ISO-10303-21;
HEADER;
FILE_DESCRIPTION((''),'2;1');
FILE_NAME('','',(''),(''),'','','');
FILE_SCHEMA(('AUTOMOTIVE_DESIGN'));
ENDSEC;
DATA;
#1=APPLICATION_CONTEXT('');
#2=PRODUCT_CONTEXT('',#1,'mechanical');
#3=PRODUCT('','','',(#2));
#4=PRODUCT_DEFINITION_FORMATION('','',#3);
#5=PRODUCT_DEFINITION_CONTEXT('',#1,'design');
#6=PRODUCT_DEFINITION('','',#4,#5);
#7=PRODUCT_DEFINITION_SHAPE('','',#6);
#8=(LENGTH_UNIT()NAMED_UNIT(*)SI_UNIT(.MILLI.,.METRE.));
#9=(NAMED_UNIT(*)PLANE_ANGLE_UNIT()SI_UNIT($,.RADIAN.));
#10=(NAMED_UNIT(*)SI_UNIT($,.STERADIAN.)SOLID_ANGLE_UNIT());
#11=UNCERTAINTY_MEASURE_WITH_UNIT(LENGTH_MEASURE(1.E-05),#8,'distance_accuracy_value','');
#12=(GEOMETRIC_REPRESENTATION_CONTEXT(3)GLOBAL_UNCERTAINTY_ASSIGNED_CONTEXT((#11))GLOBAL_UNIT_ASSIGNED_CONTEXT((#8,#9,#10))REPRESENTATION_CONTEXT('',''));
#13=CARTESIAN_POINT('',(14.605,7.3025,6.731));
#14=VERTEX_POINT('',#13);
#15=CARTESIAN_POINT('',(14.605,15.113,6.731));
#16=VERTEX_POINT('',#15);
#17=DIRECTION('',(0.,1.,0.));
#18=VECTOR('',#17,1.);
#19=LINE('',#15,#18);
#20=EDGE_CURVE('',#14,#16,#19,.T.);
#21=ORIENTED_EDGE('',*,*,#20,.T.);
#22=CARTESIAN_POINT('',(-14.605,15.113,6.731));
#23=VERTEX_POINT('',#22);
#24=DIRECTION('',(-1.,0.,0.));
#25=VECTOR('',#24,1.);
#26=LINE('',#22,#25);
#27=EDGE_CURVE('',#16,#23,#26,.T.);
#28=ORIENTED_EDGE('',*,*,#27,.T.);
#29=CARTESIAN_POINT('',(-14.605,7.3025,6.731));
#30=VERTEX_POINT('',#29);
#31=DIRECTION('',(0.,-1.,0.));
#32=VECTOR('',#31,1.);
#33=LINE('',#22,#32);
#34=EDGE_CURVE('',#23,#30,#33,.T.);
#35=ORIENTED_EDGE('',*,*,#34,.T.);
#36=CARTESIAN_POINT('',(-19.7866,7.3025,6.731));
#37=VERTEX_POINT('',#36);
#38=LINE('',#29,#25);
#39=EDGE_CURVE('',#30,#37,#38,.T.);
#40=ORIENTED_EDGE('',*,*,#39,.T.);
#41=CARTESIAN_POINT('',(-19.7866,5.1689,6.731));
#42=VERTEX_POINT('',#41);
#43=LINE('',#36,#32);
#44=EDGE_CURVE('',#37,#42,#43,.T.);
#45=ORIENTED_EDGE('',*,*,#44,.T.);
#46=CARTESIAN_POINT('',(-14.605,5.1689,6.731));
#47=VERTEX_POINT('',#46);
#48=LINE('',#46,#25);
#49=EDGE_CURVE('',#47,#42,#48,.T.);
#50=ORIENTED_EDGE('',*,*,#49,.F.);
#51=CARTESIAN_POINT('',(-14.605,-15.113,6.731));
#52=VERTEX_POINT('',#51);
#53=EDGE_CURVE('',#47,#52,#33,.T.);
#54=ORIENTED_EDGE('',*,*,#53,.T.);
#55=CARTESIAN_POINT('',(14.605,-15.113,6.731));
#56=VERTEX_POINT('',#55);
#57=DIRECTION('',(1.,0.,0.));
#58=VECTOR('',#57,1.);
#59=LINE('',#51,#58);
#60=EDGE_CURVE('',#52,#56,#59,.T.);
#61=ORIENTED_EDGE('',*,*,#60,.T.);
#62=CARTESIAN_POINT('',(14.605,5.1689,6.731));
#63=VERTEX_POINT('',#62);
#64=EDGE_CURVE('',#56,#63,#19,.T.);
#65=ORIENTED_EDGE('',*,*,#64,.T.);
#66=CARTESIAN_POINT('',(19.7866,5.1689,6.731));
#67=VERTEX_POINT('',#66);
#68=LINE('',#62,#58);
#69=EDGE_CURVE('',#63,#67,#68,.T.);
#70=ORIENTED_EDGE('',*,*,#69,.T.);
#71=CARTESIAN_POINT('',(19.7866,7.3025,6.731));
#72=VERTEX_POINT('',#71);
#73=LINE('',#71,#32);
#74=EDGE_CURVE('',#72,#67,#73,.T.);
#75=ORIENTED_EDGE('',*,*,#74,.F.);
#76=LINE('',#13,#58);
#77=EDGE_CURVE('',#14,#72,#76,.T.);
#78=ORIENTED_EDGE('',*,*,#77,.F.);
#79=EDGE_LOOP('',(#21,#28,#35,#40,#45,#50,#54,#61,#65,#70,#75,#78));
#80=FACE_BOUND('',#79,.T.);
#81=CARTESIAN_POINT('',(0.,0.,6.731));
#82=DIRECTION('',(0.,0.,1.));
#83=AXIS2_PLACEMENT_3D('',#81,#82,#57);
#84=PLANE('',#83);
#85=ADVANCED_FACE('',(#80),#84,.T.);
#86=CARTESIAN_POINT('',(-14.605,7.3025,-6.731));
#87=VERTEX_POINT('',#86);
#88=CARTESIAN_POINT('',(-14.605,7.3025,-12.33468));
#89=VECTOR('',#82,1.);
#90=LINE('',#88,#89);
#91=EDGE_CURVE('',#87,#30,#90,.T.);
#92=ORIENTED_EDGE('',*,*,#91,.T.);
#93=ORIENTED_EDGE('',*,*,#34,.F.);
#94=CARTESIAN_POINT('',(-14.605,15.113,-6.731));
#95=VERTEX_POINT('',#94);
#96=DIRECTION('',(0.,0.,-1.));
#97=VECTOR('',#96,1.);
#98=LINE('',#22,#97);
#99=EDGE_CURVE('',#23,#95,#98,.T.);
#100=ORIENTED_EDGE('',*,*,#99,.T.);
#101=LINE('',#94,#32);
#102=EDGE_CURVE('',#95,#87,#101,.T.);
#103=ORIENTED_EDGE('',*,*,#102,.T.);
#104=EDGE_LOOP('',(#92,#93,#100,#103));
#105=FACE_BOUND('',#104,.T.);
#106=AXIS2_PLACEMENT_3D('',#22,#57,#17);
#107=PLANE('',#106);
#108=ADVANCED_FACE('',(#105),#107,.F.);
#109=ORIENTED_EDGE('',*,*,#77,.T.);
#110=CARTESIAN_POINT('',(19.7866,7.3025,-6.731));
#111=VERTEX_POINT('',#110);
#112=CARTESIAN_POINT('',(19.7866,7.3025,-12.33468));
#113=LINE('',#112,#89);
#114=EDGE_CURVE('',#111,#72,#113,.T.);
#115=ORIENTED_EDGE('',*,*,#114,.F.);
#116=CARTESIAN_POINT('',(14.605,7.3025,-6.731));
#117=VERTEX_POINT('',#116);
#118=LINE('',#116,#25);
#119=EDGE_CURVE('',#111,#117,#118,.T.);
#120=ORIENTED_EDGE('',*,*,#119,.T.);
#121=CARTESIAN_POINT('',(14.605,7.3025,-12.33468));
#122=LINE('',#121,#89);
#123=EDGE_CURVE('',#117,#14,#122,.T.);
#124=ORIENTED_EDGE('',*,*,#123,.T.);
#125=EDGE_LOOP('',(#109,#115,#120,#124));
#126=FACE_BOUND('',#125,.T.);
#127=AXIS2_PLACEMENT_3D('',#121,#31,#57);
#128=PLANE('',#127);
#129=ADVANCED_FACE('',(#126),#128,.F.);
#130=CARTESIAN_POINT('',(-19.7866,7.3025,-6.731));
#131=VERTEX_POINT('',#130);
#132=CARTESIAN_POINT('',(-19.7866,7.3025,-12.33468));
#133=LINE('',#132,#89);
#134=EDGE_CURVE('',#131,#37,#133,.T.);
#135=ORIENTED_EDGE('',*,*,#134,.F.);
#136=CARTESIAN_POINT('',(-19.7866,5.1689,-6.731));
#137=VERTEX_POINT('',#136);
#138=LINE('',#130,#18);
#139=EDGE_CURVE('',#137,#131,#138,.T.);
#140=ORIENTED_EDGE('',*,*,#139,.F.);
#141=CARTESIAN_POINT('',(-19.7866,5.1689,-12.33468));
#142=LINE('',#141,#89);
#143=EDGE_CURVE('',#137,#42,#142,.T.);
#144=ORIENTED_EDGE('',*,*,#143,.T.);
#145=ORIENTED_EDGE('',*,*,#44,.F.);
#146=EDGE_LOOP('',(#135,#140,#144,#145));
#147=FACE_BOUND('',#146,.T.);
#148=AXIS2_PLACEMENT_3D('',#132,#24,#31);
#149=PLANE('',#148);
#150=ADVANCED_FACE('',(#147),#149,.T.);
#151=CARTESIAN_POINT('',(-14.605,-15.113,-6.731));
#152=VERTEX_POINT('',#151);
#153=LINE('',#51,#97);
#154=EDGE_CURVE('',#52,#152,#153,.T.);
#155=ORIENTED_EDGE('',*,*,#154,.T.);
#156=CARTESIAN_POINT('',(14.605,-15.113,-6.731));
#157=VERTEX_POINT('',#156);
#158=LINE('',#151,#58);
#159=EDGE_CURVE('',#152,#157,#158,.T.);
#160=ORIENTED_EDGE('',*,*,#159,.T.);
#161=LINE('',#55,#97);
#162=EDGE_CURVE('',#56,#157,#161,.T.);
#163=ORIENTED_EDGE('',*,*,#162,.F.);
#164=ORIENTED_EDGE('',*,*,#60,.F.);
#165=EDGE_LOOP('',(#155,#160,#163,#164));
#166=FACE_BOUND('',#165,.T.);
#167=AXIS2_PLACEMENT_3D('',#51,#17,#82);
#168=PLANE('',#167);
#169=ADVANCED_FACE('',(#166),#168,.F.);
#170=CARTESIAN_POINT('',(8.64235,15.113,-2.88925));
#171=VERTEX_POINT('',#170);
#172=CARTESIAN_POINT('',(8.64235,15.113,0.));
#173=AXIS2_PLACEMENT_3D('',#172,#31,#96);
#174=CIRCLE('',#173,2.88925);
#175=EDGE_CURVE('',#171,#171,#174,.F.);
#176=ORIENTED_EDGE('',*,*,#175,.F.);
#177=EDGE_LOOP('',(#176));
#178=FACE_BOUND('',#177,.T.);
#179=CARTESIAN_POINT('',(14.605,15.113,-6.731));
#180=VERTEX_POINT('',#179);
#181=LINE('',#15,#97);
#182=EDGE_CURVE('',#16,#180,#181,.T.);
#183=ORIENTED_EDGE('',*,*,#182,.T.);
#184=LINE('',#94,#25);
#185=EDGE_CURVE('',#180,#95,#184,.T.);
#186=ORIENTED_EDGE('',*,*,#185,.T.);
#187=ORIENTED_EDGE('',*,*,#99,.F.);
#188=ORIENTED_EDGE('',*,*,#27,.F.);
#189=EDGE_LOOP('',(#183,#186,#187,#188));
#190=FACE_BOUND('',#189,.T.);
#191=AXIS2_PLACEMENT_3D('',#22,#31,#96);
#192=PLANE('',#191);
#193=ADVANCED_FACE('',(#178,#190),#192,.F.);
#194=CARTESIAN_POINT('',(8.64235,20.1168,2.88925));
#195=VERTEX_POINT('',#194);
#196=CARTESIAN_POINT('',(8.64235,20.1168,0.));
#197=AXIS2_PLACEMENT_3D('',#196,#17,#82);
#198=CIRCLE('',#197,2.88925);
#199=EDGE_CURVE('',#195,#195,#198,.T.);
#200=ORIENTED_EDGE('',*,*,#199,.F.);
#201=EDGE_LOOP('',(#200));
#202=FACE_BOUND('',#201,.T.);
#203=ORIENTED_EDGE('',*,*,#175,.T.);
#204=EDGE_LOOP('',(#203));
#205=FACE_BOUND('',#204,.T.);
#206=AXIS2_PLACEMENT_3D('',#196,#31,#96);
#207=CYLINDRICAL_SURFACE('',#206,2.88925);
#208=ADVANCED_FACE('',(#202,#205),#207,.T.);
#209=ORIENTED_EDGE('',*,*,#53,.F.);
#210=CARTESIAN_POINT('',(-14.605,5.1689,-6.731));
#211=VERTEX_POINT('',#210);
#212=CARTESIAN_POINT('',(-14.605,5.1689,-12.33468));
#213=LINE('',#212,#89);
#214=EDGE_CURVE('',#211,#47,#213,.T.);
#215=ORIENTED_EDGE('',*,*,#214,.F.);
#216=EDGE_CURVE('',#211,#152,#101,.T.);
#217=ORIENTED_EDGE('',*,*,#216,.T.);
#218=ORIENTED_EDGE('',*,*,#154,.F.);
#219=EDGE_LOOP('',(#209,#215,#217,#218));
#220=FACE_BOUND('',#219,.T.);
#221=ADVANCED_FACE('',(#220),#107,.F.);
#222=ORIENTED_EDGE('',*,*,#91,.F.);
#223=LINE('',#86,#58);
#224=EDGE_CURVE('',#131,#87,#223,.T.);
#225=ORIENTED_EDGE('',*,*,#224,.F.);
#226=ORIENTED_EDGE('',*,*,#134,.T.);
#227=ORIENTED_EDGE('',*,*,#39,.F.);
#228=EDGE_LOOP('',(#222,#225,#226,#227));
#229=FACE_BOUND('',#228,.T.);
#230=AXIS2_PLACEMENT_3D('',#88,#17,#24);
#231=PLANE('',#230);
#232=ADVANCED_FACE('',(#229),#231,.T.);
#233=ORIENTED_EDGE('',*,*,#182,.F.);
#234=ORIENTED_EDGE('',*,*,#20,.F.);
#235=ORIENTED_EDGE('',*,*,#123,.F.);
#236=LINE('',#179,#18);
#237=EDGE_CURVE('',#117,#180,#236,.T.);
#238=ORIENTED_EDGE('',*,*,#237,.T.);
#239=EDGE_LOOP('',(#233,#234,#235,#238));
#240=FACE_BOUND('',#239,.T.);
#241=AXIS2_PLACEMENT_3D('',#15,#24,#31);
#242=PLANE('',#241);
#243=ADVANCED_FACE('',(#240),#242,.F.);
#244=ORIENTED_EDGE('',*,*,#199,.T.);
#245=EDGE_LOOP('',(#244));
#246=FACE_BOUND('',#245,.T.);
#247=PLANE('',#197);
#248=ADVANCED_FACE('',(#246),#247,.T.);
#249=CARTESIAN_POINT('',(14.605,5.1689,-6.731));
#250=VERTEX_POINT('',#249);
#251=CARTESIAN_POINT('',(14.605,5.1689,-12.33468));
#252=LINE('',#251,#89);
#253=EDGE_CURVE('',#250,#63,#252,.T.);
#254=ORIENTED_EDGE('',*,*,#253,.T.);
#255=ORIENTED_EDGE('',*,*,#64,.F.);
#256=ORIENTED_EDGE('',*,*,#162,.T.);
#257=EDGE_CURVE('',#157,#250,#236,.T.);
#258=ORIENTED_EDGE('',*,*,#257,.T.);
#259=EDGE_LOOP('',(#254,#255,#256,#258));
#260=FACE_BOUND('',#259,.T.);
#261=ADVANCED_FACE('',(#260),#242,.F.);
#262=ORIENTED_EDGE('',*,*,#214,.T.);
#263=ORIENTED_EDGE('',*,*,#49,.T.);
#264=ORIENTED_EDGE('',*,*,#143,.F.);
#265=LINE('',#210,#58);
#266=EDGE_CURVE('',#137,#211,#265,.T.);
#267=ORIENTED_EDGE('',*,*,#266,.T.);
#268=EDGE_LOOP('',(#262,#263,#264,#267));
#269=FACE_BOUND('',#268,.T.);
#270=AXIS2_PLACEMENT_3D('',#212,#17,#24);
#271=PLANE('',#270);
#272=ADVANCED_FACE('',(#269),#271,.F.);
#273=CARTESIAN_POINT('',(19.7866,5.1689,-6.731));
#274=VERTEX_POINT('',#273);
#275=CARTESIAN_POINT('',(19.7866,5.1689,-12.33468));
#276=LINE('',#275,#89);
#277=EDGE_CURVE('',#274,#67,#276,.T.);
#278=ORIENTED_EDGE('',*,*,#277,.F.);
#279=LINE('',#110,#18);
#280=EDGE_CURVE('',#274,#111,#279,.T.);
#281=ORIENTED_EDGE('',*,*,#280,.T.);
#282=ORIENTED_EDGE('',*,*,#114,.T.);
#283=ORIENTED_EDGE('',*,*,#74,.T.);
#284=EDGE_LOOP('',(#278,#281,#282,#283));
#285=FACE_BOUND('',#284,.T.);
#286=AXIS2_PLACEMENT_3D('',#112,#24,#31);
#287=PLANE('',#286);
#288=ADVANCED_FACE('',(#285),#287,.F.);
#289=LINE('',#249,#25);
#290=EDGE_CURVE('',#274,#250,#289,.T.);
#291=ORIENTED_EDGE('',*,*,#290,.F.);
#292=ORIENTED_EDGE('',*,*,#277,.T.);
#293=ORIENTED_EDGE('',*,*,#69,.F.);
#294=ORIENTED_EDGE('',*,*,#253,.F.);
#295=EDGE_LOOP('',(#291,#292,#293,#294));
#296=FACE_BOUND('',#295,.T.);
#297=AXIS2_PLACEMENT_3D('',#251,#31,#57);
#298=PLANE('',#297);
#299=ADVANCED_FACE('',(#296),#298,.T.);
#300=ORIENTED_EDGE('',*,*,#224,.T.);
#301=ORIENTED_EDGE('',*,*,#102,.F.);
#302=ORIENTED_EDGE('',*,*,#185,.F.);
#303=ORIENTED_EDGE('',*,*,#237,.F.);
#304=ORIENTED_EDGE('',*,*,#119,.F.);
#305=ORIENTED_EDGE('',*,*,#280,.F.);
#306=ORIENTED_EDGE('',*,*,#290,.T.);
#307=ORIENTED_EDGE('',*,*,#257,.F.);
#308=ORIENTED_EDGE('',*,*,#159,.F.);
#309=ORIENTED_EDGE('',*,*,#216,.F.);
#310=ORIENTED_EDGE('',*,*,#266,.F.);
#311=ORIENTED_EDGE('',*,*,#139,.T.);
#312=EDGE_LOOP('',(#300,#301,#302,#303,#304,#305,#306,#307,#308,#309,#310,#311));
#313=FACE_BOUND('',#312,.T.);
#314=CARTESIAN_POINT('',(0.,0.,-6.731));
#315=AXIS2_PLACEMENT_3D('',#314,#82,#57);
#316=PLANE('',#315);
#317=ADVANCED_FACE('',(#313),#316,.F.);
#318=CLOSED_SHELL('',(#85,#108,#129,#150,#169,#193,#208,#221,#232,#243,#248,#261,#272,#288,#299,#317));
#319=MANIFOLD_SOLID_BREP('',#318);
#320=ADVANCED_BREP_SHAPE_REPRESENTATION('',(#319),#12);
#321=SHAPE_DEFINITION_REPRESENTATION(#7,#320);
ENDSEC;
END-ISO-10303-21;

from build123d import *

# Parameters (mm, degrees)
SKETCH1_W           = 29.21
SKETCH1_H           = 30.226
BOSS_EXTRUDE1_DEPTH = 6.731
SKETCH2_W           = 5.1816
SKETCH2_H           = 2.1336
BOSS_EXTRUDE2_DEPTH = 13.462
SKETCH3_R           = 2.88925
BOSS_EXTRUDE3_DEPTH = 5.0038


with BuildPart() as part:
    # Sketch1 → Boss-Extrude1 (new body, symmetric)
    with BuildSketch(Plane.XY):
        Rectangle(SKETCH1_W, SKETCH1_H)
    extrude(amount=BOSS_EXTRUDE1_DEPTH, both=True)

    # Sketch2 → Boss-Extrude2 (add)
    with BuildSketch(Plane.XY.offset(6.731)):
        with Locations((-17.1958, 6.2357)):
            Rectangle(SKETCH2_W, SKETCH2_H)
    boss_extrude2 = extrude(amount=-BOSS_EXTRUDE2_DEPTH)

    # Mirror1: Boss-Extrude2 across plane
    add(boss_extrude2.mirror(Plane(origin=(0, 0, 0), x_dir=(0, 0, 1), z_dir=(1, 0, 0))))

    # Sketch3 → Boss-Extrude3 (add)
    with BuildSketch(Plane(origin=(0, 15.113, 0), x_dir=(1, 0, 0), z_dir=(0, 1, 0))):
        with Locations((8.64235, 0)):
            Circle(SKETCH3_R)
    extrude(amount=BOSS_EXTRUDE3_DEPTH)


solid = part.part
